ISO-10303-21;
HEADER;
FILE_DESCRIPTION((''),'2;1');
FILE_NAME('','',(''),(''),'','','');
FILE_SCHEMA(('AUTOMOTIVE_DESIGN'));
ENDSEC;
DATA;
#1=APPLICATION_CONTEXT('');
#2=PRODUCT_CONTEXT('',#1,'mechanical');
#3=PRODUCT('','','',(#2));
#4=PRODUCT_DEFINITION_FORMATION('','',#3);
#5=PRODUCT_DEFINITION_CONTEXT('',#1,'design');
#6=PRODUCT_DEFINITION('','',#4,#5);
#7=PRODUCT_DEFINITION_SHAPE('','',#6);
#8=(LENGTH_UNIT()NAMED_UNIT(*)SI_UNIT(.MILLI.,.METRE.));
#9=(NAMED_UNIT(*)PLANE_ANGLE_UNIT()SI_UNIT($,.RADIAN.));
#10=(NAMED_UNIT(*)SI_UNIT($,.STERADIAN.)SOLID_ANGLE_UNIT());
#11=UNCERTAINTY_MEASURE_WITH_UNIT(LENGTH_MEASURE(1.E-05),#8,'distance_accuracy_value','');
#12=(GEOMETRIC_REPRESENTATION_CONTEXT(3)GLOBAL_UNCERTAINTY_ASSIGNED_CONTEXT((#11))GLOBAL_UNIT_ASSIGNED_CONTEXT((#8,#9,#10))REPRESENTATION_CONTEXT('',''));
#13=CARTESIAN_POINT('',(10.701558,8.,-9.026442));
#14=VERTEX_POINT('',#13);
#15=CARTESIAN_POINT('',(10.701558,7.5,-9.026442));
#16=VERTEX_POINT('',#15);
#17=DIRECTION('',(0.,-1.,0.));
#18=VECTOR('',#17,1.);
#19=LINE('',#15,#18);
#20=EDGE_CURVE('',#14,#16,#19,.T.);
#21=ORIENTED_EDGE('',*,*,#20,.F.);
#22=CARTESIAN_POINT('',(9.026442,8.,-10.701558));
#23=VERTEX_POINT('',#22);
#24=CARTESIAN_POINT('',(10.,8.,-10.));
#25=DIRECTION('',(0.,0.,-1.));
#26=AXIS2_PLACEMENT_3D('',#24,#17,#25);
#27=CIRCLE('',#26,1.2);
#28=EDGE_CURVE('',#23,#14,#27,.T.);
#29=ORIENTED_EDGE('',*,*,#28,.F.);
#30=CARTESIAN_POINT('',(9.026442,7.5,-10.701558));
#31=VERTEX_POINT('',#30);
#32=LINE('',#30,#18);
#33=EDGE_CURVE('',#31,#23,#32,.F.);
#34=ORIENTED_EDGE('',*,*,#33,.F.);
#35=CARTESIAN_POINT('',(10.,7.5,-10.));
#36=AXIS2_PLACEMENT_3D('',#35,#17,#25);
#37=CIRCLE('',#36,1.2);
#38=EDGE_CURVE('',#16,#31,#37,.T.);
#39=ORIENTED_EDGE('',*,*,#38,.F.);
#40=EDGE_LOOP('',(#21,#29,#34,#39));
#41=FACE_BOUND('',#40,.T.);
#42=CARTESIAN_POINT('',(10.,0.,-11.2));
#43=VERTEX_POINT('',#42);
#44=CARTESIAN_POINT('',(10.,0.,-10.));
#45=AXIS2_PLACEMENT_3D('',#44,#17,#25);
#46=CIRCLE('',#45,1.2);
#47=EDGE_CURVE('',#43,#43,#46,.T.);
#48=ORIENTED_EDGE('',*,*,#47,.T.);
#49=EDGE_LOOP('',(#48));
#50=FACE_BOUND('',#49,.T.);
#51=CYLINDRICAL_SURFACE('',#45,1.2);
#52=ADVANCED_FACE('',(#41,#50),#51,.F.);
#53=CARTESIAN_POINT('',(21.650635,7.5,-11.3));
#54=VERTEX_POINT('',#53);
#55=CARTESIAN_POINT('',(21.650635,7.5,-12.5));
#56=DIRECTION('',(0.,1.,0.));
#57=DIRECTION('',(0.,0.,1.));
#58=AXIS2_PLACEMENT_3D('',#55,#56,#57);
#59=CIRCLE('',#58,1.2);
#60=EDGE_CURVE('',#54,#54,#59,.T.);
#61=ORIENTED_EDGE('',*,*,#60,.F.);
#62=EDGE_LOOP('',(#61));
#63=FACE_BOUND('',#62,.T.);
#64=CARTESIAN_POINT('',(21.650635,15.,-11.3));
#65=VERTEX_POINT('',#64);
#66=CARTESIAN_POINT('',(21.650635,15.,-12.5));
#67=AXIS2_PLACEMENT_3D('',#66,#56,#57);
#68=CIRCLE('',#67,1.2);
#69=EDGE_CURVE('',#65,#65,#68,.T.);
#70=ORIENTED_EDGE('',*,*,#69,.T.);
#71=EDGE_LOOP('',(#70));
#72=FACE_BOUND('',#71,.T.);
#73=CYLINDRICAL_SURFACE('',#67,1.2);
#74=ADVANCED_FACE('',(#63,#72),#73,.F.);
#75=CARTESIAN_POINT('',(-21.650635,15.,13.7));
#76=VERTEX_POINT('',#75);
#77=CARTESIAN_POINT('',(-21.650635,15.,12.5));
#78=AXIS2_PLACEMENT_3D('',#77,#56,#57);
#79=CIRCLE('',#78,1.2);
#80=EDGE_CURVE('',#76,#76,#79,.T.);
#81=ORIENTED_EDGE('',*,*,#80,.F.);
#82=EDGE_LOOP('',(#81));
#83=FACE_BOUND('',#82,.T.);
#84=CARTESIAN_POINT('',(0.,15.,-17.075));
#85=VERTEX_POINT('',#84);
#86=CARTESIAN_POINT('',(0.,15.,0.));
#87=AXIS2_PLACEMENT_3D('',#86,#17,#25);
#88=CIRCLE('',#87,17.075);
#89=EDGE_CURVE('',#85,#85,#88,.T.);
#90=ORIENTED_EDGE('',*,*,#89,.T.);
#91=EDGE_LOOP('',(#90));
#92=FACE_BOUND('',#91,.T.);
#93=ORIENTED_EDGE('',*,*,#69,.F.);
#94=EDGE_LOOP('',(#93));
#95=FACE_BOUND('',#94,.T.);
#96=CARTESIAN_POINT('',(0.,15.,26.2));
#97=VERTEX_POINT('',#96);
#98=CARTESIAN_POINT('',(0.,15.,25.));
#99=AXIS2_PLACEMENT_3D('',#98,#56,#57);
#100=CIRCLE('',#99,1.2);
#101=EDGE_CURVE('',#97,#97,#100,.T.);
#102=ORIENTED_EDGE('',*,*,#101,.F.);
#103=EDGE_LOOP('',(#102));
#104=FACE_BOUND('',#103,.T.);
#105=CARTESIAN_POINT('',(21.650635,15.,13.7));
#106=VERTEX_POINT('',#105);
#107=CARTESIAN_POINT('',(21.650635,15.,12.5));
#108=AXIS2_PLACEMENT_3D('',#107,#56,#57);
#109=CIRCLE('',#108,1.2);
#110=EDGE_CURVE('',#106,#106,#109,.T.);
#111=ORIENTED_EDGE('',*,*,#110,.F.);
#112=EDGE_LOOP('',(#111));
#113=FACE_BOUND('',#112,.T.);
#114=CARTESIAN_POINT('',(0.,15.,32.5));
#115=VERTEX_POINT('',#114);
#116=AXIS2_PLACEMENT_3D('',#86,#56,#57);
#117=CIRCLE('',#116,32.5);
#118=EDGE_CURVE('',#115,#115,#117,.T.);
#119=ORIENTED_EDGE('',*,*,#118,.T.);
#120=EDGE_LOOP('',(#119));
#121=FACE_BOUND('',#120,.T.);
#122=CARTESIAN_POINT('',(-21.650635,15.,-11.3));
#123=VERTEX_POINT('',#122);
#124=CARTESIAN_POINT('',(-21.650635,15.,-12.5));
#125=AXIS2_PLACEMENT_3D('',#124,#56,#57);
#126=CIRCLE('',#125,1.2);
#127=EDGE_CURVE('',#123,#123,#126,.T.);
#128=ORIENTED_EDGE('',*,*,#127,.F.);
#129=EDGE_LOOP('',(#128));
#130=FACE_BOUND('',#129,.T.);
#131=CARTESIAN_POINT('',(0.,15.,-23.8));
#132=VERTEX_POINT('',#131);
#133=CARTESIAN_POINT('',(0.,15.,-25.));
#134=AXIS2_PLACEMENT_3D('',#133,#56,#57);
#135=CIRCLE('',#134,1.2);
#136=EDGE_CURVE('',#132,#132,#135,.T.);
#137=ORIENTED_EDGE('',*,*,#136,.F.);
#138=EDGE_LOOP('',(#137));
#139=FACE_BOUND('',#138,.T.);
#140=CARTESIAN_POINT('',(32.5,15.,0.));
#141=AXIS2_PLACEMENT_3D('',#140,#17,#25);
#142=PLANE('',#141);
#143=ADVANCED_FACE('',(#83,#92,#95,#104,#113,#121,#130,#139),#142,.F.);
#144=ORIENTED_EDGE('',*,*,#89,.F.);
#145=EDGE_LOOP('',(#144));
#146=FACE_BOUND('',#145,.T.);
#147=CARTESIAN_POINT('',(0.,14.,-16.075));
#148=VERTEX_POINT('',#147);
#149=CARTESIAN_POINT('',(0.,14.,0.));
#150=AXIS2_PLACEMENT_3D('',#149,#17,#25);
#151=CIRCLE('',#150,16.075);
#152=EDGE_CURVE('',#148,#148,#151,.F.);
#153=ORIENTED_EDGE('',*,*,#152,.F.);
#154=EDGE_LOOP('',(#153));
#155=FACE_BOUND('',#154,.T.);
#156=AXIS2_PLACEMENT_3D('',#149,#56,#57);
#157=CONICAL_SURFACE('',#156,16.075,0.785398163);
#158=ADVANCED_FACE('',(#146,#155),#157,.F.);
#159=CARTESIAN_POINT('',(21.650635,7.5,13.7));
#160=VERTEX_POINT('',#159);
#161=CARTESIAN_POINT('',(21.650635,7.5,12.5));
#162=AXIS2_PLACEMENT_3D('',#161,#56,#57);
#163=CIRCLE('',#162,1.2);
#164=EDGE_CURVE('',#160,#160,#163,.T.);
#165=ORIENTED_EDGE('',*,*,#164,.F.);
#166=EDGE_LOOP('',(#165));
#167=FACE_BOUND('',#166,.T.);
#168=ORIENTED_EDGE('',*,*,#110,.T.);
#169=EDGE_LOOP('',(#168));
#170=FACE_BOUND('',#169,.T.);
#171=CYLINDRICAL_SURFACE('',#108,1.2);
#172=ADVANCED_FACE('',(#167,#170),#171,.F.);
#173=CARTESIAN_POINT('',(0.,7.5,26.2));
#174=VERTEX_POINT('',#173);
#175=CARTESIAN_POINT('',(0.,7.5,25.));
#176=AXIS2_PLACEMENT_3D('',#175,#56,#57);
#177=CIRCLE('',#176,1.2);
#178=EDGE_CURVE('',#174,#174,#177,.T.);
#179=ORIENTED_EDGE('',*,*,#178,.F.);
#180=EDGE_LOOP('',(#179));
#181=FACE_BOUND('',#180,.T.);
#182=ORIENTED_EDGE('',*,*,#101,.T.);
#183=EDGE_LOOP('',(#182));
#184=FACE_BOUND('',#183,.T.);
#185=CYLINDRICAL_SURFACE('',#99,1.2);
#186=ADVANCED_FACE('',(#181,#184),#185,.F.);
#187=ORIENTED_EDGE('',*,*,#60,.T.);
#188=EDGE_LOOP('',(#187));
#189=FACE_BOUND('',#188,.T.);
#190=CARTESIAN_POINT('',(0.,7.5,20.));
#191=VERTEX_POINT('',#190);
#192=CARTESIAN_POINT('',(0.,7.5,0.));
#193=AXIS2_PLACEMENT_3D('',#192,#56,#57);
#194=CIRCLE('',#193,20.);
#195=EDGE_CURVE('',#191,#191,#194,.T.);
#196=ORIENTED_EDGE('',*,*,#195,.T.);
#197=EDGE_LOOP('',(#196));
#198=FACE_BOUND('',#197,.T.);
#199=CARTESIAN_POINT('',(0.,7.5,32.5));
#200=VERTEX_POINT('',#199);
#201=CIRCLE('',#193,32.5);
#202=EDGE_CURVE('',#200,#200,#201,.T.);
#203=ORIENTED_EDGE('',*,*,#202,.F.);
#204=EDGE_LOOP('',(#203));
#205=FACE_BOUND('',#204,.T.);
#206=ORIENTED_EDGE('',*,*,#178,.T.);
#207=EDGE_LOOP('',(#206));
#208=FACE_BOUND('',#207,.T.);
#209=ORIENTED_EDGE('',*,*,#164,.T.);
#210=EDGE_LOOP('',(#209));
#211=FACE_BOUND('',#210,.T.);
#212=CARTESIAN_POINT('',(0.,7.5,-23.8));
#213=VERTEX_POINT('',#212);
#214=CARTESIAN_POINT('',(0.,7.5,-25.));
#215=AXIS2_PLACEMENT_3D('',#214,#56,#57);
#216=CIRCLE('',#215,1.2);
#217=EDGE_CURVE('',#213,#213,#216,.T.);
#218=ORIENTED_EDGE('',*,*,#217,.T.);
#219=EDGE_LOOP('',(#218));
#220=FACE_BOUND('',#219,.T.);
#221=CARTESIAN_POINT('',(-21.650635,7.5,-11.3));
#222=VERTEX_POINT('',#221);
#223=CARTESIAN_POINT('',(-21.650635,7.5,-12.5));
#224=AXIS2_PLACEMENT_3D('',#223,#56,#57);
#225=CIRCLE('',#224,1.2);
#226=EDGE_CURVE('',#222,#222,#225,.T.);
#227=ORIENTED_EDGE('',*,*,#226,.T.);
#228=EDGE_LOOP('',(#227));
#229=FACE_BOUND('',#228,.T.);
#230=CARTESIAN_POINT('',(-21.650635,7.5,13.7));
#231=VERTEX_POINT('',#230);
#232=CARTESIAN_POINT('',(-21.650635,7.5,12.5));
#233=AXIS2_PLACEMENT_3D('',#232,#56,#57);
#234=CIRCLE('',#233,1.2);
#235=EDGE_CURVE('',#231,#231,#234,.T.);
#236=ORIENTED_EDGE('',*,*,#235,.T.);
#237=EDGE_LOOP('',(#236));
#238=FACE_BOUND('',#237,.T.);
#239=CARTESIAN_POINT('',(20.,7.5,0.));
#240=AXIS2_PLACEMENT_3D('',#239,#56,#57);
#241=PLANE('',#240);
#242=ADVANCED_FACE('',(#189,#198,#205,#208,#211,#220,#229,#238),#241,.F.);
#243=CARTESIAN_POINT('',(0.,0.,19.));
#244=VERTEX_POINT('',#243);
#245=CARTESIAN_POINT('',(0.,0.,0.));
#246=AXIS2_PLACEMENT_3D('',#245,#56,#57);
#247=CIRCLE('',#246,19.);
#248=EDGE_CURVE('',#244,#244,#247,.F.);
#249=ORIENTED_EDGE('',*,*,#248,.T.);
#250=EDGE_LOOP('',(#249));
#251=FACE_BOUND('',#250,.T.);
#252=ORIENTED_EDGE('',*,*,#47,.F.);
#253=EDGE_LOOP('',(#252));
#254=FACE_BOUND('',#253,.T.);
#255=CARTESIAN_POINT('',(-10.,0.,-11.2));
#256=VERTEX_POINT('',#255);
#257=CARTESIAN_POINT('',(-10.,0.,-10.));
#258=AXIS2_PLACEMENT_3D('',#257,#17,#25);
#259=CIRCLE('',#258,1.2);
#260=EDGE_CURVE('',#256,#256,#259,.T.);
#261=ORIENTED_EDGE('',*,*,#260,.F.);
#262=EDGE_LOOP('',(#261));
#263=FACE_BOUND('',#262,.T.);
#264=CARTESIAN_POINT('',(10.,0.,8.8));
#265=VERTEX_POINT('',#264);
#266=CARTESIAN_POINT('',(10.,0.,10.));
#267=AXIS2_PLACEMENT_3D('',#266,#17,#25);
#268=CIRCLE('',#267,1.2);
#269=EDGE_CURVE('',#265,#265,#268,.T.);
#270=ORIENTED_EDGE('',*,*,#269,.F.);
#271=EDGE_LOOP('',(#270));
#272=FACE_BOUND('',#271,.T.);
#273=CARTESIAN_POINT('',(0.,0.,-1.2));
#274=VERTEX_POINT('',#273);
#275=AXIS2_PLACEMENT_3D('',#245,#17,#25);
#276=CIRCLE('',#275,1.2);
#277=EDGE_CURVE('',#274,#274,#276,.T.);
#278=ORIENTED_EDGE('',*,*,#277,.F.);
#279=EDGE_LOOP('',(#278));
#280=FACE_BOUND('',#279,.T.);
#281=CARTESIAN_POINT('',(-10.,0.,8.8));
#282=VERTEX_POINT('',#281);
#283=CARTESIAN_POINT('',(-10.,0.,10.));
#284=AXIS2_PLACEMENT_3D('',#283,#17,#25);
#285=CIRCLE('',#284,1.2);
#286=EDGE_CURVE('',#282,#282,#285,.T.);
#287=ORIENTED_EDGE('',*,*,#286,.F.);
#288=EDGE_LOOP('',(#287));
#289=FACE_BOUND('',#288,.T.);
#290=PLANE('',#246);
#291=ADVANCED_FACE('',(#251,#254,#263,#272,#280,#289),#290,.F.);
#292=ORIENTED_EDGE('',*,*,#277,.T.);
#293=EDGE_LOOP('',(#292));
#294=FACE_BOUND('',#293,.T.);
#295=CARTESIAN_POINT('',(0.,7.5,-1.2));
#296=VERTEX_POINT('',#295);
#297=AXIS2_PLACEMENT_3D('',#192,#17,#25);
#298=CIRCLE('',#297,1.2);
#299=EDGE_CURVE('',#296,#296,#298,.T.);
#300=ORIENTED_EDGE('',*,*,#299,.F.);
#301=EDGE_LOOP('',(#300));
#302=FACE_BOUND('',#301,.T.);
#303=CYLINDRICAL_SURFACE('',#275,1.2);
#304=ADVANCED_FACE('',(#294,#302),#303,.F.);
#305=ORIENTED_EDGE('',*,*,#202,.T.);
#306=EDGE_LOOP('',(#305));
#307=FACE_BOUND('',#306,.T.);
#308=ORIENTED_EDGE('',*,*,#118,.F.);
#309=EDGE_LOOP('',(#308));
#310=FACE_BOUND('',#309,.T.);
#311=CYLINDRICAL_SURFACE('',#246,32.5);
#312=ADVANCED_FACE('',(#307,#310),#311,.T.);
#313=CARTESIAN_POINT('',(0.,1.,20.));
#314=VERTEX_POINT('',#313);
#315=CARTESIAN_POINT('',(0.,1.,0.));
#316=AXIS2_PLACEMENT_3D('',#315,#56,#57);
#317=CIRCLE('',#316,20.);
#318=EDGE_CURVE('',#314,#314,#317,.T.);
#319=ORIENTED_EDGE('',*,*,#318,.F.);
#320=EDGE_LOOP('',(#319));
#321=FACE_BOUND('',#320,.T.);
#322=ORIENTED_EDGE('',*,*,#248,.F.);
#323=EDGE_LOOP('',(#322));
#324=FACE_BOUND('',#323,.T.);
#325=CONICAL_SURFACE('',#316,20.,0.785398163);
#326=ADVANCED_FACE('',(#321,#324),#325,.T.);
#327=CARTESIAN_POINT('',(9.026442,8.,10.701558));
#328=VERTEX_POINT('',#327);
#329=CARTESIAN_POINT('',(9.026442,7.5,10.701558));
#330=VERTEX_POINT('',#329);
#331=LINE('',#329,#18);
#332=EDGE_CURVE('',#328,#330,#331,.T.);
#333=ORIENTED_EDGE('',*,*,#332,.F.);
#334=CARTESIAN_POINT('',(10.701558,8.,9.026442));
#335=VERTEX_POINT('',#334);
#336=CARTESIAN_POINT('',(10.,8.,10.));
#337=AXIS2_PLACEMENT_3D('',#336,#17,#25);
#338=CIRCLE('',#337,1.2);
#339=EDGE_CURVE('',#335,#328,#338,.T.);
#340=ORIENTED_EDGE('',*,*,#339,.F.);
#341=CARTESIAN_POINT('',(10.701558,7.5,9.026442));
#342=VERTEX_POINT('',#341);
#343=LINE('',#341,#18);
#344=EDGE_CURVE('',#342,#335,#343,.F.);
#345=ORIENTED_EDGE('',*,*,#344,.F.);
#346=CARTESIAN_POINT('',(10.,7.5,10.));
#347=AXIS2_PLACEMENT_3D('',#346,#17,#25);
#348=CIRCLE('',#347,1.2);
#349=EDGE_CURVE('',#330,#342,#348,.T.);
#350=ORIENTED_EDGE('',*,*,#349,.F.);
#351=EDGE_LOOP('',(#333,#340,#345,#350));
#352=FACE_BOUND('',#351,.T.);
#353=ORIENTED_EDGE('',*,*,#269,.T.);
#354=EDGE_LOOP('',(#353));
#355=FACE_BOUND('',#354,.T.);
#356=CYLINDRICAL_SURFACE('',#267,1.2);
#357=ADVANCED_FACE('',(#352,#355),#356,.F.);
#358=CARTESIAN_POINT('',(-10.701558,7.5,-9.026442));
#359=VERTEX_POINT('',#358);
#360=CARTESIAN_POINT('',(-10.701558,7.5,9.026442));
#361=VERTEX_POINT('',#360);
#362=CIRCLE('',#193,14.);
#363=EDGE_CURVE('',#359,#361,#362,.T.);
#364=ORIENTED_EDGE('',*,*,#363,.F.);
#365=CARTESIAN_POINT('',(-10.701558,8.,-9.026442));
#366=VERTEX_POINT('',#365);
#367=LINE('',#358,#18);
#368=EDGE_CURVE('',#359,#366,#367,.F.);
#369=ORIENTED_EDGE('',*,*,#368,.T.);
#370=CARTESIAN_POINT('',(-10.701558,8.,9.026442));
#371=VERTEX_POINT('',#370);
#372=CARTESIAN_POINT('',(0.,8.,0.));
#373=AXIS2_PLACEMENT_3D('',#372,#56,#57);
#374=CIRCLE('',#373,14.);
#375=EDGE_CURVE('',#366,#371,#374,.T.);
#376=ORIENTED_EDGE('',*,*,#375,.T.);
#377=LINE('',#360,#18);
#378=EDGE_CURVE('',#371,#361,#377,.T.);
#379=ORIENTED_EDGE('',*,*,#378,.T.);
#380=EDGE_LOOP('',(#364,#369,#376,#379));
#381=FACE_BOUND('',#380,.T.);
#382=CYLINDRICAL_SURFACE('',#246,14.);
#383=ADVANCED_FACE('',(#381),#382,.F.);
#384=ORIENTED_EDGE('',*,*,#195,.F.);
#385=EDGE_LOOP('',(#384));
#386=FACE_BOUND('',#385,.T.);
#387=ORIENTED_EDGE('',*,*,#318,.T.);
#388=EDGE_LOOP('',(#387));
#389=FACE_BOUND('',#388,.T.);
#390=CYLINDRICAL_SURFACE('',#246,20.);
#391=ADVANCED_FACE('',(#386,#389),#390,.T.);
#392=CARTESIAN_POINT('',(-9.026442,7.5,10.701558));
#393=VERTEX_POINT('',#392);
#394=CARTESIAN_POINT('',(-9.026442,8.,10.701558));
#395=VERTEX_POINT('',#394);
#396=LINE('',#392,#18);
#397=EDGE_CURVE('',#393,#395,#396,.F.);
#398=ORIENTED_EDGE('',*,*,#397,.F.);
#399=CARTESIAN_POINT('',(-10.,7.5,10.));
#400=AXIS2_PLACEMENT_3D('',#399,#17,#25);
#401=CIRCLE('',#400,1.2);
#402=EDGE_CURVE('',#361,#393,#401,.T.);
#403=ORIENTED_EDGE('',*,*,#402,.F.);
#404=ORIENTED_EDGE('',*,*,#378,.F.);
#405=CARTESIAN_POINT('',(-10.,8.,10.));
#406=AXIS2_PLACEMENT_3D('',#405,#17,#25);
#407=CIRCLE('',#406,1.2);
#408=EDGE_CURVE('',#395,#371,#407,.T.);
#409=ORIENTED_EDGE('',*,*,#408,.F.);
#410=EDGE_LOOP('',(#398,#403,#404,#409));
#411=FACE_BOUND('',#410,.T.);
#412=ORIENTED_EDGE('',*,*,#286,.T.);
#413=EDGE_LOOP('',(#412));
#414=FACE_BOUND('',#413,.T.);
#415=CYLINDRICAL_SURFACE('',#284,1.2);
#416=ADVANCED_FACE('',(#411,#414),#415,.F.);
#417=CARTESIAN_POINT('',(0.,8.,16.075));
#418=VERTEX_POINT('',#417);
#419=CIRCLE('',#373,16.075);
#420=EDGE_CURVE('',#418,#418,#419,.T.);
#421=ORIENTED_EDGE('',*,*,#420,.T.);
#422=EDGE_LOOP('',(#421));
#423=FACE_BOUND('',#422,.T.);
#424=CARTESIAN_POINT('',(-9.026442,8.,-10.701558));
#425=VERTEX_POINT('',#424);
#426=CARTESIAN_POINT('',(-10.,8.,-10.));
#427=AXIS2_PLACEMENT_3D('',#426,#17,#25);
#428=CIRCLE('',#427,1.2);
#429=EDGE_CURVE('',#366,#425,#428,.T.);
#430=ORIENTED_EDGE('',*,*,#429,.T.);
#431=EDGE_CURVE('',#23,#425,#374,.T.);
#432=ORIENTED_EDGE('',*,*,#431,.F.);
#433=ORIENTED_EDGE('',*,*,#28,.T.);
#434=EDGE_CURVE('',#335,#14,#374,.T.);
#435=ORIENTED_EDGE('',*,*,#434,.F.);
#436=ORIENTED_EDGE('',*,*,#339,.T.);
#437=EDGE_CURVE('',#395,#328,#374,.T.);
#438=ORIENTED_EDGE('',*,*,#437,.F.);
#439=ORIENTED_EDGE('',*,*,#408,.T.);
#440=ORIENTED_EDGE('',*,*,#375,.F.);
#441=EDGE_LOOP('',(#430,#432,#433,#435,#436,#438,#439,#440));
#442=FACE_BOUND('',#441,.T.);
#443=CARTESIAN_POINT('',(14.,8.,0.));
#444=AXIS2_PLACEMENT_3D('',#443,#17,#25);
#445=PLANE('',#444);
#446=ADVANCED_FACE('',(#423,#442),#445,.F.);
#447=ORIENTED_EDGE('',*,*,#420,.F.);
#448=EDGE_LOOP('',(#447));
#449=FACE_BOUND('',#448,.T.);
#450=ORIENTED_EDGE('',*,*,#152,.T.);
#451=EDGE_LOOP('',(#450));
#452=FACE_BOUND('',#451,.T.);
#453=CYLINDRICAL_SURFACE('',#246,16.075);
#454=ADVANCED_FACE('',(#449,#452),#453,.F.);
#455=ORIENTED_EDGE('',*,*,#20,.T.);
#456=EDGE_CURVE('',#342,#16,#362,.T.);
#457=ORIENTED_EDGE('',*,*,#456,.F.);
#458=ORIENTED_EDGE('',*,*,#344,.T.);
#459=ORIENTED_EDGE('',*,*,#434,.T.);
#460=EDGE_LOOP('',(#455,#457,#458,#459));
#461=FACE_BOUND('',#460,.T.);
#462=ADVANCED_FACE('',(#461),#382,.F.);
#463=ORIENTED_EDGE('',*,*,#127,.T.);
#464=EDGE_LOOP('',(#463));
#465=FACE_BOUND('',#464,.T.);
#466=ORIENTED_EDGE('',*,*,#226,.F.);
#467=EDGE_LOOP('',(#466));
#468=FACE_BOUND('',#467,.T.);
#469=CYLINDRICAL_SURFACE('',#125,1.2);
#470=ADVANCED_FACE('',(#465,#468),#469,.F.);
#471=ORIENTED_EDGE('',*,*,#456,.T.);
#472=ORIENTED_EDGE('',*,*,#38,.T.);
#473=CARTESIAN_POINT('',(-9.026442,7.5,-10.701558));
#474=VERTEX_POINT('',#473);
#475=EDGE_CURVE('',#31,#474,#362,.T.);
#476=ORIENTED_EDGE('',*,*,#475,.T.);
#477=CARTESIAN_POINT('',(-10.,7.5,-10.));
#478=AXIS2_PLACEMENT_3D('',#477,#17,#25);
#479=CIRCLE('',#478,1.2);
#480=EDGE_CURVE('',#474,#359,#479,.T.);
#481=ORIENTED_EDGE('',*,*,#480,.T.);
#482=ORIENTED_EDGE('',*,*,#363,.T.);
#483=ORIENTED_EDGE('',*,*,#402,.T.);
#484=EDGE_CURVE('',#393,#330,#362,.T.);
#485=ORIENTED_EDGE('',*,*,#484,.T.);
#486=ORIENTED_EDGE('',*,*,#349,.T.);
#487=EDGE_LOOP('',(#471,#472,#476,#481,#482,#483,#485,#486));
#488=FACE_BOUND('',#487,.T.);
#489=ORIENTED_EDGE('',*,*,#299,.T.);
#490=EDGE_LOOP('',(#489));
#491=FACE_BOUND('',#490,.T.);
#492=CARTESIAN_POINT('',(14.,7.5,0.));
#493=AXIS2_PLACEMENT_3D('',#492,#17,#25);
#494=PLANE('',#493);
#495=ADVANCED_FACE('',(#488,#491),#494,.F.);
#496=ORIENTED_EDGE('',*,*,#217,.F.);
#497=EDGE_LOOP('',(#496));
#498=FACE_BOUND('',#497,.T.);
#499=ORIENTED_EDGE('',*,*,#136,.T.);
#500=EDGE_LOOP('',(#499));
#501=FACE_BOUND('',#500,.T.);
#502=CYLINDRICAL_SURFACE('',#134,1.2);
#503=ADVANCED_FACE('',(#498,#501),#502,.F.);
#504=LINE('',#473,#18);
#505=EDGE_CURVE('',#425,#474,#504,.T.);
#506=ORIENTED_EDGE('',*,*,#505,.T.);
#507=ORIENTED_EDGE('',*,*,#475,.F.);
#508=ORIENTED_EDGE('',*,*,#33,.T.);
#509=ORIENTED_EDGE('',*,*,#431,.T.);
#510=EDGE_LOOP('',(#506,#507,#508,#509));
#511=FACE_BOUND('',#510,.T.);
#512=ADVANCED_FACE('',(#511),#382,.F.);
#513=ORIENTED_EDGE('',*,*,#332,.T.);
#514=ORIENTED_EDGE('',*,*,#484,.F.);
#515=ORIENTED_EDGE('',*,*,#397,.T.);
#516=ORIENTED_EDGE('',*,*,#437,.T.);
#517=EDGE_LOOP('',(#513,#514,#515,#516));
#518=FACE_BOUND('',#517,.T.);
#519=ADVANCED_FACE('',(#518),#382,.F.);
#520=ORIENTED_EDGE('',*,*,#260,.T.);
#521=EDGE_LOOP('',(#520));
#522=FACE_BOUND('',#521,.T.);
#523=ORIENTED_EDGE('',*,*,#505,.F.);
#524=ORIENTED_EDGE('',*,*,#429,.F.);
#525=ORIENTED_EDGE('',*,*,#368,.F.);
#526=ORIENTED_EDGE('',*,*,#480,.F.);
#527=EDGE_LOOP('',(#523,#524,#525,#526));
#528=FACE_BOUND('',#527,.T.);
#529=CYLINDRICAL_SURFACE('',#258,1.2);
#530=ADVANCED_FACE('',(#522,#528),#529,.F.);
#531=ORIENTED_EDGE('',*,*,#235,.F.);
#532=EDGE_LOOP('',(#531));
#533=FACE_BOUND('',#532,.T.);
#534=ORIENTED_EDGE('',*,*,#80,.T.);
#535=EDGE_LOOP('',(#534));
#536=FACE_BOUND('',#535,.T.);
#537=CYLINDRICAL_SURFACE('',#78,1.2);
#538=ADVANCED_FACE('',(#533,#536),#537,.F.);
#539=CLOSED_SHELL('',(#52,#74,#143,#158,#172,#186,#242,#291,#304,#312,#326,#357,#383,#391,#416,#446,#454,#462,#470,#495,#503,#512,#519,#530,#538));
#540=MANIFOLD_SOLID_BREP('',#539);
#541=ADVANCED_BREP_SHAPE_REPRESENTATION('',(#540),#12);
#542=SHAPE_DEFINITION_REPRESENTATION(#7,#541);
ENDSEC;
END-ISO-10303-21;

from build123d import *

# Parameters (mm, degrees)
F_2_4_2_4_DURCHMESSER_BOHRUNG1_D = 2.4
KREISMUSTER1_COUNT               = 6
F_2_4_2_4_DURCHMESSER_BOHRUNG2_D = 2.4
FASE1_SIZE                       = 1
FASE2_SIZE                       = 1


with BuildPart() as part:
    # Skizze1 → Rotation1 (revolve)
    with BuildSketch(Plane.XY, mode=Mode.PRIVATE) as rotation1_sk:
        Polygon((0, 0), (20, 0), (20, 7.5), (32.5, 7.5), (32.5, 15), (16.075, 15), (16.075, 8), (14, 8), (14, 7.5), (0, 7.5), align=None)
    revolve(rotation1_sk.sketch.rotate(Axis((0, 0, 0), (0, -1, 0)), 90), axis=Axis((0, 0, 0), (0, -1, 0)))

    # Ø2.4 (2.4) Durchmesser Bohrung1 (through all)
    with Locations(Plane(origin=(0, 15, 0), x_dir=(1, 0, 0), z_dir=(0, 1, 0))):
        with Locations((0, 25)):
            f_2_4_2_4_durchmesser_bohrung1 = Hole(F_2_4_2_4_DURCHMESSER_BOHRUNG1_D / 2)

    # Kreismuster1: Ø2.4 (2.4) Durchmesser Bohrung1 ×6 about axis
    kreismuster1_axis = Axis((0, 0, 0), (0, 1, 0))
    for i in range(1, KREISMUSTER1_COUNT):
        add(f_2_4_2_4_durchmesser_bohrung1.rotate(kreismuster1_axis, i * 360 / KREISMUSTER1_COUNT), mode=Mode.SUBTRACT)

    # Ø2.4 (2.4) Durchmesser Bohrung2 (through all)
    with Locations(Plane(origin=(0, 0, 0), x_dir=(-1, 0, 0), z_dir=(0, -1, 0))):
        with Locations((0, 0), (10, 10), (-10, -10), (-10, 10), (10, -10)):
            Hole(F_2_4_2_4_DURCHMESSER_BOHRUNG2_D / 2)

    # Fase1
    fase1_edges = [part.edges().sort_by_distance(p)[0] for p in [
        (0, 15, -16.075),
    ]]
    chamfer(fase1_edges, length=FASE1_SIZE)

    # Fase2
    fase2_edges = [part.edges().sort_by_distance(p)[0] for p in [
        (0, 0, -20),
    ]]
    chamfer(fase2_edges, length=FASE2_SIZE)


solid = part.part
